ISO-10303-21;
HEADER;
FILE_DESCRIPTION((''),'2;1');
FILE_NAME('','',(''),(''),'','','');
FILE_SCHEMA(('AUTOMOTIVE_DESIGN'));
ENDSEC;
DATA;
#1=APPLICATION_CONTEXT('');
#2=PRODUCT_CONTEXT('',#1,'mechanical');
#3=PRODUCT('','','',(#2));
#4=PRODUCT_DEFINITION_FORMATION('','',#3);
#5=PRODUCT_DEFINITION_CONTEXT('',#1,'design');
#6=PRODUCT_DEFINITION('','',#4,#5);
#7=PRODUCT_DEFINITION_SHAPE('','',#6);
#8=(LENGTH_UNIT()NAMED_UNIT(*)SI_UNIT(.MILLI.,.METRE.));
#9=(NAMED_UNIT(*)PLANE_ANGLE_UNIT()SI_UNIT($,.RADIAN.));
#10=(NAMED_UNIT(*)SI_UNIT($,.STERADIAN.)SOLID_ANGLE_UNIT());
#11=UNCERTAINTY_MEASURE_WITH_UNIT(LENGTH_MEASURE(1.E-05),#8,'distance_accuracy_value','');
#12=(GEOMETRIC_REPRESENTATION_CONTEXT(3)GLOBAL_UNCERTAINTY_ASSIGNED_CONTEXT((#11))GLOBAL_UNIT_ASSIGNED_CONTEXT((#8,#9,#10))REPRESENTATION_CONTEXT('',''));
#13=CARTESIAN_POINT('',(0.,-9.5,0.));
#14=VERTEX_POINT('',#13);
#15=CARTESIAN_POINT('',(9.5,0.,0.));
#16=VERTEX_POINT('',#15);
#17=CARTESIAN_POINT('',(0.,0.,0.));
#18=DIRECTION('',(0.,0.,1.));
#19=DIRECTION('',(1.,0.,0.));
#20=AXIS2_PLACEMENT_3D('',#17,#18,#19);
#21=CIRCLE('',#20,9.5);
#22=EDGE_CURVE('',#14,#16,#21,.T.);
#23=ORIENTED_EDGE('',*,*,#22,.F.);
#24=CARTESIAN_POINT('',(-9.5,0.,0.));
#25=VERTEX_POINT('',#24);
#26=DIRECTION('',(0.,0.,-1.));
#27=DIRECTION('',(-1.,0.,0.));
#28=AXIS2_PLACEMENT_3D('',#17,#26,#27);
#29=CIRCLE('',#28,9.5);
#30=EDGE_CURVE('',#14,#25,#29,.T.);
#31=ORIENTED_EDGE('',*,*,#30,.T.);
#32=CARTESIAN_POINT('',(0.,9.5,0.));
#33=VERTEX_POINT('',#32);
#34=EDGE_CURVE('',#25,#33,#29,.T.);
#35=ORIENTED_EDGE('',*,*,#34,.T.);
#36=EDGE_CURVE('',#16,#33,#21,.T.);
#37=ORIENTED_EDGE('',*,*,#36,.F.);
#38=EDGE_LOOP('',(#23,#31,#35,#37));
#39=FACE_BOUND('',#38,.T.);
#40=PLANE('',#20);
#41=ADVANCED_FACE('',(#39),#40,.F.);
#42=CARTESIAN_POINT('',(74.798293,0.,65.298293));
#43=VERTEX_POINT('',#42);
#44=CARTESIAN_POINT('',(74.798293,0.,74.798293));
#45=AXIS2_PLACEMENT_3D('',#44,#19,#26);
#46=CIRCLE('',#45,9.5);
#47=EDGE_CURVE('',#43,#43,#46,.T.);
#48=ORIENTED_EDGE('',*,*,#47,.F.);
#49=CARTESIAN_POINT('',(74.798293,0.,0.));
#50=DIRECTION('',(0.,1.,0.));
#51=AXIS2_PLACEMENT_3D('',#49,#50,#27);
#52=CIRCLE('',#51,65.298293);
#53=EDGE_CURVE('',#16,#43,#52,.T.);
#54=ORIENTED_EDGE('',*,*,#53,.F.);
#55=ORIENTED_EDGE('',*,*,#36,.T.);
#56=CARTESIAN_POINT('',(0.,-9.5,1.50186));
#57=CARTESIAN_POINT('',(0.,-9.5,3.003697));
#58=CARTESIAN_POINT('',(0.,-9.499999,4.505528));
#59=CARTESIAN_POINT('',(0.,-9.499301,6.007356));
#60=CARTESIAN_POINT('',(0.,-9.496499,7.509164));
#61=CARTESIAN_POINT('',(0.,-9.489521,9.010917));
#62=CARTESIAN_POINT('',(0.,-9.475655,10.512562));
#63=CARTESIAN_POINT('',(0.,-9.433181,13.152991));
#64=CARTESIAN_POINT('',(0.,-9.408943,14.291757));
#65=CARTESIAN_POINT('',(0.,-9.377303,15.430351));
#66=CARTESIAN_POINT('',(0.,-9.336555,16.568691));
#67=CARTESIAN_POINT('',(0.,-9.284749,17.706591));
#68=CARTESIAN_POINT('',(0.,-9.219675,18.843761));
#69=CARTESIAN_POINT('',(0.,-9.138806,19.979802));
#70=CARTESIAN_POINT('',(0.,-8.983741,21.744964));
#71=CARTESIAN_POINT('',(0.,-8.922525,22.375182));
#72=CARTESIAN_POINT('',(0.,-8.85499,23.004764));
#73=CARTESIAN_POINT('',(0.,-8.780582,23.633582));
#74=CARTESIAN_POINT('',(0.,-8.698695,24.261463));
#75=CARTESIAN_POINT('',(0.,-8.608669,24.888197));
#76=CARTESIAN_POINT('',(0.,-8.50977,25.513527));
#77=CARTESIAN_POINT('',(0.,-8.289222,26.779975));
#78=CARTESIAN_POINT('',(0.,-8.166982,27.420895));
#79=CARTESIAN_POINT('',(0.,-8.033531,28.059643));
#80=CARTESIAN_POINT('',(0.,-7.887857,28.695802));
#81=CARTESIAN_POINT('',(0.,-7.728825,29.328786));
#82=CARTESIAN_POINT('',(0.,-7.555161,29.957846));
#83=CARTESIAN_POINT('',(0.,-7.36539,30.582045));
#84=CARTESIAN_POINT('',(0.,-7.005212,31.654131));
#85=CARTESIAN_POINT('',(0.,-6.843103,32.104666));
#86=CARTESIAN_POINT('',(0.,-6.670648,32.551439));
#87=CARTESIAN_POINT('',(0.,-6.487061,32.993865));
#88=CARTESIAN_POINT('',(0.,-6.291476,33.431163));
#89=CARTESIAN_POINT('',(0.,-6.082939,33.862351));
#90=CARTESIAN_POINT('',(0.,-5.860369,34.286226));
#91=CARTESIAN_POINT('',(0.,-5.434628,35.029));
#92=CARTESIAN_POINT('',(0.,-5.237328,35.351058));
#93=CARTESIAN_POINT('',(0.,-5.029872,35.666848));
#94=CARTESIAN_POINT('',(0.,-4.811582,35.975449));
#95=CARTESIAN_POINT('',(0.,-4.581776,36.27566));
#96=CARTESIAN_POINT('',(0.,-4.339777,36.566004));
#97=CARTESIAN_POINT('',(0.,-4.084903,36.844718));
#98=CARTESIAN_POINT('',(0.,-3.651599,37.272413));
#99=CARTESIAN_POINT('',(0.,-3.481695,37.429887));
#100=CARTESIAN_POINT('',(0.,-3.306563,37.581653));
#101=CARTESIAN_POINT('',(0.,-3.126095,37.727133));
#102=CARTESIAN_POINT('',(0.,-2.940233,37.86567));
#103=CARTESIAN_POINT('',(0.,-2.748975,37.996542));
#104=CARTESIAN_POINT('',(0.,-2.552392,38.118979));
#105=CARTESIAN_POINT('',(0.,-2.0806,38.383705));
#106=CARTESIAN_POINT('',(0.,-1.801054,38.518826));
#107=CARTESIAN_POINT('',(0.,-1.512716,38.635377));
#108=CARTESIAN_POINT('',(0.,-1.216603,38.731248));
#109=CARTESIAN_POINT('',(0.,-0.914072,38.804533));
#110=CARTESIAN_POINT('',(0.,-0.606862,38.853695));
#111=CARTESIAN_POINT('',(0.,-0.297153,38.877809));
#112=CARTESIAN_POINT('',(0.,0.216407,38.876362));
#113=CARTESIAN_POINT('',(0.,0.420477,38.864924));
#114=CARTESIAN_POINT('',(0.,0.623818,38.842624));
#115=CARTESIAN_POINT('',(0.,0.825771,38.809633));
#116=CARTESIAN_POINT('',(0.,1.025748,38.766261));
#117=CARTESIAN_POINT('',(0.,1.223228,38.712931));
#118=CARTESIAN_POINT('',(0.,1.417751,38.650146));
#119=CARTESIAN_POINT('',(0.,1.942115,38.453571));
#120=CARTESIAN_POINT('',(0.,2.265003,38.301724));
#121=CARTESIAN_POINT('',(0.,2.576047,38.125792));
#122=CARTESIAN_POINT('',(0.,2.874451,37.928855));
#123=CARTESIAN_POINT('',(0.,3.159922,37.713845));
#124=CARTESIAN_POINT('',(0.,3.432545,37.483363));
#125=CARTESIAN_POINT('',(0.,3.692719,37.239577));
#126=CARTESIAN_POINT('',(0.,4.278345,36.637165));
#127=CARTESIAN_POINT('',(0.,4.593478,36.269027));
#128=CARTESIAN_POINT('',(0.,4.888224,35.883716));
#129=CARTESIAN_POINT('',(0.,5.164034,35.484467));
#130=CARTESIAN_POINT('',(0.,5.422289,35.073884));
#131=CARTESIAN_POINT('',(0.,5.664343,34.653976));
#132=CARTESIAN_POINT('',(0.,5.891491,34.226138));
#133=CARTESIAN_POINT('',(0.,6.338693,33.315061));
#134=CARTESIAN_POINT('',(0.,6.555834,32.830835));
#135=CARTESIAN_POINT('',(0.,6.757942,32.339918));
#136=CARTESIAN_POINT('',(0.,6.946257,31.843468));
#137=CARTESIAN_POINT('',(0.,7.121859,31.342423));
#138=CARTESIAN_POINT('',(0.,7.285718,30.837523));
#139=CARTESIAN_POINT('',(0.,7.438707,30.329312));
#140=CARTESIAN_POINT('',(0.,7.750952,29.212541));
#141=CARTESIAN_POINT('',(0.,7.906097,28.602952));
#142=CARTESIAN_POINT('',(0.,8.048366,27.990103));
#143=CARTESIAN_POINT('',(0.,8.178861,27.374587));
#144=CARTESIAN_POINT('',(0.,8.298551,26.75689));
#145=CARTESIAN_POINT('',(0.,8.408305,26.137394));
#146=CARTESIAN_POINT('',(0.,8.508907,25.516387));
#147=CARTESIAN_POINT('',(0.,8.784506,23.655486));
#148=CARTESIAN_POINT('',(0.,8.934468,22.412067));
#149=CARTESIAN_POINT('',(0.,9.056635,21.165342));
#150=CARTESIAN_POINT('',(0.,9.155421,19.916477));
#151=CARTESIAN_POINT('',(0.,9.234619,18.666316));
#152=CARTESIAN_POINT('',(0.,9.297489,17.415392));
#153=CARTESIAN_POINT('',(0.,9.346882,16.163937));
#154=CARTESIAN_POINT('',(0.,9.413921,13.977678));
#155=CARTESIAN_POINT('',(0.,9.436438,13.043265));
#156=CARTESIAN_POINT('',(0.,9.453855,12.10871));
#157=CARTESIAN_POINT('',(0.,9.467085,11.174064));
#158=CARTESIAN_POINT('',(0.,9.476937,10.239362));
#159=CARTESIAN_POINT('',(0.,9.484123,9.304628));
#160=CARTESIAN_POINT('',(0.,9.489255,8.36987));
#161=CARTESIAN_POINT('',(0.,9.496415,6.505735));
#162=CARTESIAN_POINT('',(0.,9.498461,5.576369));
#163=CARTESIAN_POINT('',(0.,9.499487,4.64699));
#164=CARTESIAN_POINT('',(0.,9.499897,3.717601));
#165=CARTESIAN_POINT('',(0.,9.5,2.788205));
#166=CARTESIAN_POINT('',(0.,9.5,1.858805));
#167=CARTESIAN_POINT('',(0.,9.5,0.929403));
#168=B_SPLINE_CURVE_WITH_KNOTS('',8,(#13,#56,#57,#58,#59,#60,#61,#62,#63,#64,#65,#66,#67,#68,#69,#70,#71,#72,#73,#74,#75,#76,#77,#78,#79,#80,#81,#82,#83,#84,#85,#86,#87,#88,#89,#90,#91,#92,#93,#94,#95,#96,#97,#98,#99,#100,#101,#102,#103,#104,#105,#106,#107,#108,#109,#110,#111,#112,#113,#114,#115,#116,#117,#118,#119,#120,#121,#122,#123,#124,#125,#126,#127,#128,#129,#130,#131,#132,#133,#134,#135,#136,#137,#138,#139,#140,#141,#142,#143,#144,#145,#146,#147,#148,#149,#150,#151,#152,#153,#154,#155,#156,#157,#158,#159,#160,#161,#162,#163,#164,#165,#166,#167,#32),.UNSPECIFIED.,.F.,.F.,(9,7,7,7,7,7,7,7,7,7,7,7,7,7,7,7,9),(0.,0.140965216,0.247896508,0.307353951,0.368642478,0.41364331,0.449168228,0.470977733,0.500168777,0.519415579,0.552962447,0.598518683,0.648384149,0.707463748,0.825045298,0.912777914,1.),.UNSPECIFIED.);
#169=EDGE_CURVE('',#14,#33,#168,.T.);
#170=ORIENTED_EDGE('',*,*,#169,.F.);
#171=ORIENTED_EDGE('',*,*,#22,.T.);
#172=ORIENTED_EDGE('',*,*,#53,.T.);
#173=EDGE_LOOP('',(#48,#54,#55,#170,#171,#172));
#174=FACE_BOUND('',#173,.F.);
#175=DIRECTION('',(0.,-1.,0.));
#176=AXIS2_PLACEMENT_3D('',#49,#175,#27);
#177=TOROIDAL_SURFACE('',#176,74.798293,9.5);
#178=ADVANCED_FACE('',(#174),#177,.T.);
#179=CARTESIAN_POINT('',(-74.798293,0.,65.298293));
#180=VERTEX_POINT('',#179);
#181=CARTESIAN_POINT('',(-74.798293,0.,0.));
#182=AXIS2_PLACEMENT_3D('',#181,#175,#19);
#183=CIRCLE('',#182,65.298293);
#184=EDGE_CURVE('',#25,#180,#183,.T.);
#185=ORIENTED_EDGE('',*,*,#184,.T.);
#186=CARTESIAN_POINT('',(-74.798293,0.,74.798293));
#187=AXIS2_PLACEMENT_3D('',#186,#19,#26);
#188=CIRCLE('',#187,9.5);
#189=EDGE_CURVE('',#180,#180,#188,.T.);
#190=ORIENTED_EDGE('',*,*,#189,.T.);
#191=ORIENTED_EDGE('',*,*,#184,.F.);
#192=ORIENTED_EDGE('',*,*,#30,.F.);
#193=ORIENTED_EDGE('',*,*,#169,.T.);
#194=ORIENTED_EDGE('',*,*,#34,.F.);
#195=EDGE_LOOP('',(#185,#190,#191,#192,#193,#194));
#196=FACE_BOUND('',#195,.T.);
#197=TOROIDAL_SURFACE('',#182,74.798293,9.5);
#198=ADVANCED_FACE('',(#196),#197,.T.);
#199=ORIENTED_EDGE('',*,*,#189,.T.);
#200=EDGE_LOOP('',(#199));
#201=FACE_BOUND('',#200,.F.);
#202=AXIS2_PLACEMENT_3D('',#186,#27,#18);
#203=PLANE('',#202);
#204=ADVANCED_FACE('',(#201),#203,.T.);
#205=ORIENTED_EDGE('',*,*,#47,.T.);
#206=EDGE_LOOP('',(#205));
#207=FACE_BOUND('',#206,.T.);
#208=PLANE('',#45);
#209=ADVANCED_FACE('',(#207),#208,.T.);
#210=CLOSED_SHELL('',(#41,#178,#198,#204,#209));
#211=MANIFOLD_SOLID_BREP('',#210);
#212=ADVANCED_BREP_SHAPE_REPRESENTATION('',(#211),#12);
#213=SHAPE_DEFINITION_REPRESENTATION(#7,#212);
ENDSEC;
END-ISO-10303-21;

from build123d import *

# Parameters (mm, degrees)
F0_R     = 9.5
F1_ANGLE = 90
F2_W     = 145.696804
F2_H     = 128.937841
F3_DEPTH = 25


with BuildPart() as f1:
    # F0 (on Top) → F1 (revolve)
    with BuildSketch(Plane.XY):
        Circle(F0_R)
    revolve(axis=Axis((74.798293, -7.044435, 0), (0, 1, 0)), revolution_arc=F1_ANGLE)

    # F2 (on Right) → F3 (cut)
    with BuildSketch(Plane.YZ):
        with Locations((-1.890838, 3.012911)):
            Rectangle(F2_W, F2_H)
    extrude(amount=-F3_DEPTH, mode=Mode.SUBTRACT)

    # F4: F1 across plane


with BuildPart() as f1_1:
    add(f1.part)
    add(f1.part.mirror(Plane.YZ))


solid = f1_1.part
